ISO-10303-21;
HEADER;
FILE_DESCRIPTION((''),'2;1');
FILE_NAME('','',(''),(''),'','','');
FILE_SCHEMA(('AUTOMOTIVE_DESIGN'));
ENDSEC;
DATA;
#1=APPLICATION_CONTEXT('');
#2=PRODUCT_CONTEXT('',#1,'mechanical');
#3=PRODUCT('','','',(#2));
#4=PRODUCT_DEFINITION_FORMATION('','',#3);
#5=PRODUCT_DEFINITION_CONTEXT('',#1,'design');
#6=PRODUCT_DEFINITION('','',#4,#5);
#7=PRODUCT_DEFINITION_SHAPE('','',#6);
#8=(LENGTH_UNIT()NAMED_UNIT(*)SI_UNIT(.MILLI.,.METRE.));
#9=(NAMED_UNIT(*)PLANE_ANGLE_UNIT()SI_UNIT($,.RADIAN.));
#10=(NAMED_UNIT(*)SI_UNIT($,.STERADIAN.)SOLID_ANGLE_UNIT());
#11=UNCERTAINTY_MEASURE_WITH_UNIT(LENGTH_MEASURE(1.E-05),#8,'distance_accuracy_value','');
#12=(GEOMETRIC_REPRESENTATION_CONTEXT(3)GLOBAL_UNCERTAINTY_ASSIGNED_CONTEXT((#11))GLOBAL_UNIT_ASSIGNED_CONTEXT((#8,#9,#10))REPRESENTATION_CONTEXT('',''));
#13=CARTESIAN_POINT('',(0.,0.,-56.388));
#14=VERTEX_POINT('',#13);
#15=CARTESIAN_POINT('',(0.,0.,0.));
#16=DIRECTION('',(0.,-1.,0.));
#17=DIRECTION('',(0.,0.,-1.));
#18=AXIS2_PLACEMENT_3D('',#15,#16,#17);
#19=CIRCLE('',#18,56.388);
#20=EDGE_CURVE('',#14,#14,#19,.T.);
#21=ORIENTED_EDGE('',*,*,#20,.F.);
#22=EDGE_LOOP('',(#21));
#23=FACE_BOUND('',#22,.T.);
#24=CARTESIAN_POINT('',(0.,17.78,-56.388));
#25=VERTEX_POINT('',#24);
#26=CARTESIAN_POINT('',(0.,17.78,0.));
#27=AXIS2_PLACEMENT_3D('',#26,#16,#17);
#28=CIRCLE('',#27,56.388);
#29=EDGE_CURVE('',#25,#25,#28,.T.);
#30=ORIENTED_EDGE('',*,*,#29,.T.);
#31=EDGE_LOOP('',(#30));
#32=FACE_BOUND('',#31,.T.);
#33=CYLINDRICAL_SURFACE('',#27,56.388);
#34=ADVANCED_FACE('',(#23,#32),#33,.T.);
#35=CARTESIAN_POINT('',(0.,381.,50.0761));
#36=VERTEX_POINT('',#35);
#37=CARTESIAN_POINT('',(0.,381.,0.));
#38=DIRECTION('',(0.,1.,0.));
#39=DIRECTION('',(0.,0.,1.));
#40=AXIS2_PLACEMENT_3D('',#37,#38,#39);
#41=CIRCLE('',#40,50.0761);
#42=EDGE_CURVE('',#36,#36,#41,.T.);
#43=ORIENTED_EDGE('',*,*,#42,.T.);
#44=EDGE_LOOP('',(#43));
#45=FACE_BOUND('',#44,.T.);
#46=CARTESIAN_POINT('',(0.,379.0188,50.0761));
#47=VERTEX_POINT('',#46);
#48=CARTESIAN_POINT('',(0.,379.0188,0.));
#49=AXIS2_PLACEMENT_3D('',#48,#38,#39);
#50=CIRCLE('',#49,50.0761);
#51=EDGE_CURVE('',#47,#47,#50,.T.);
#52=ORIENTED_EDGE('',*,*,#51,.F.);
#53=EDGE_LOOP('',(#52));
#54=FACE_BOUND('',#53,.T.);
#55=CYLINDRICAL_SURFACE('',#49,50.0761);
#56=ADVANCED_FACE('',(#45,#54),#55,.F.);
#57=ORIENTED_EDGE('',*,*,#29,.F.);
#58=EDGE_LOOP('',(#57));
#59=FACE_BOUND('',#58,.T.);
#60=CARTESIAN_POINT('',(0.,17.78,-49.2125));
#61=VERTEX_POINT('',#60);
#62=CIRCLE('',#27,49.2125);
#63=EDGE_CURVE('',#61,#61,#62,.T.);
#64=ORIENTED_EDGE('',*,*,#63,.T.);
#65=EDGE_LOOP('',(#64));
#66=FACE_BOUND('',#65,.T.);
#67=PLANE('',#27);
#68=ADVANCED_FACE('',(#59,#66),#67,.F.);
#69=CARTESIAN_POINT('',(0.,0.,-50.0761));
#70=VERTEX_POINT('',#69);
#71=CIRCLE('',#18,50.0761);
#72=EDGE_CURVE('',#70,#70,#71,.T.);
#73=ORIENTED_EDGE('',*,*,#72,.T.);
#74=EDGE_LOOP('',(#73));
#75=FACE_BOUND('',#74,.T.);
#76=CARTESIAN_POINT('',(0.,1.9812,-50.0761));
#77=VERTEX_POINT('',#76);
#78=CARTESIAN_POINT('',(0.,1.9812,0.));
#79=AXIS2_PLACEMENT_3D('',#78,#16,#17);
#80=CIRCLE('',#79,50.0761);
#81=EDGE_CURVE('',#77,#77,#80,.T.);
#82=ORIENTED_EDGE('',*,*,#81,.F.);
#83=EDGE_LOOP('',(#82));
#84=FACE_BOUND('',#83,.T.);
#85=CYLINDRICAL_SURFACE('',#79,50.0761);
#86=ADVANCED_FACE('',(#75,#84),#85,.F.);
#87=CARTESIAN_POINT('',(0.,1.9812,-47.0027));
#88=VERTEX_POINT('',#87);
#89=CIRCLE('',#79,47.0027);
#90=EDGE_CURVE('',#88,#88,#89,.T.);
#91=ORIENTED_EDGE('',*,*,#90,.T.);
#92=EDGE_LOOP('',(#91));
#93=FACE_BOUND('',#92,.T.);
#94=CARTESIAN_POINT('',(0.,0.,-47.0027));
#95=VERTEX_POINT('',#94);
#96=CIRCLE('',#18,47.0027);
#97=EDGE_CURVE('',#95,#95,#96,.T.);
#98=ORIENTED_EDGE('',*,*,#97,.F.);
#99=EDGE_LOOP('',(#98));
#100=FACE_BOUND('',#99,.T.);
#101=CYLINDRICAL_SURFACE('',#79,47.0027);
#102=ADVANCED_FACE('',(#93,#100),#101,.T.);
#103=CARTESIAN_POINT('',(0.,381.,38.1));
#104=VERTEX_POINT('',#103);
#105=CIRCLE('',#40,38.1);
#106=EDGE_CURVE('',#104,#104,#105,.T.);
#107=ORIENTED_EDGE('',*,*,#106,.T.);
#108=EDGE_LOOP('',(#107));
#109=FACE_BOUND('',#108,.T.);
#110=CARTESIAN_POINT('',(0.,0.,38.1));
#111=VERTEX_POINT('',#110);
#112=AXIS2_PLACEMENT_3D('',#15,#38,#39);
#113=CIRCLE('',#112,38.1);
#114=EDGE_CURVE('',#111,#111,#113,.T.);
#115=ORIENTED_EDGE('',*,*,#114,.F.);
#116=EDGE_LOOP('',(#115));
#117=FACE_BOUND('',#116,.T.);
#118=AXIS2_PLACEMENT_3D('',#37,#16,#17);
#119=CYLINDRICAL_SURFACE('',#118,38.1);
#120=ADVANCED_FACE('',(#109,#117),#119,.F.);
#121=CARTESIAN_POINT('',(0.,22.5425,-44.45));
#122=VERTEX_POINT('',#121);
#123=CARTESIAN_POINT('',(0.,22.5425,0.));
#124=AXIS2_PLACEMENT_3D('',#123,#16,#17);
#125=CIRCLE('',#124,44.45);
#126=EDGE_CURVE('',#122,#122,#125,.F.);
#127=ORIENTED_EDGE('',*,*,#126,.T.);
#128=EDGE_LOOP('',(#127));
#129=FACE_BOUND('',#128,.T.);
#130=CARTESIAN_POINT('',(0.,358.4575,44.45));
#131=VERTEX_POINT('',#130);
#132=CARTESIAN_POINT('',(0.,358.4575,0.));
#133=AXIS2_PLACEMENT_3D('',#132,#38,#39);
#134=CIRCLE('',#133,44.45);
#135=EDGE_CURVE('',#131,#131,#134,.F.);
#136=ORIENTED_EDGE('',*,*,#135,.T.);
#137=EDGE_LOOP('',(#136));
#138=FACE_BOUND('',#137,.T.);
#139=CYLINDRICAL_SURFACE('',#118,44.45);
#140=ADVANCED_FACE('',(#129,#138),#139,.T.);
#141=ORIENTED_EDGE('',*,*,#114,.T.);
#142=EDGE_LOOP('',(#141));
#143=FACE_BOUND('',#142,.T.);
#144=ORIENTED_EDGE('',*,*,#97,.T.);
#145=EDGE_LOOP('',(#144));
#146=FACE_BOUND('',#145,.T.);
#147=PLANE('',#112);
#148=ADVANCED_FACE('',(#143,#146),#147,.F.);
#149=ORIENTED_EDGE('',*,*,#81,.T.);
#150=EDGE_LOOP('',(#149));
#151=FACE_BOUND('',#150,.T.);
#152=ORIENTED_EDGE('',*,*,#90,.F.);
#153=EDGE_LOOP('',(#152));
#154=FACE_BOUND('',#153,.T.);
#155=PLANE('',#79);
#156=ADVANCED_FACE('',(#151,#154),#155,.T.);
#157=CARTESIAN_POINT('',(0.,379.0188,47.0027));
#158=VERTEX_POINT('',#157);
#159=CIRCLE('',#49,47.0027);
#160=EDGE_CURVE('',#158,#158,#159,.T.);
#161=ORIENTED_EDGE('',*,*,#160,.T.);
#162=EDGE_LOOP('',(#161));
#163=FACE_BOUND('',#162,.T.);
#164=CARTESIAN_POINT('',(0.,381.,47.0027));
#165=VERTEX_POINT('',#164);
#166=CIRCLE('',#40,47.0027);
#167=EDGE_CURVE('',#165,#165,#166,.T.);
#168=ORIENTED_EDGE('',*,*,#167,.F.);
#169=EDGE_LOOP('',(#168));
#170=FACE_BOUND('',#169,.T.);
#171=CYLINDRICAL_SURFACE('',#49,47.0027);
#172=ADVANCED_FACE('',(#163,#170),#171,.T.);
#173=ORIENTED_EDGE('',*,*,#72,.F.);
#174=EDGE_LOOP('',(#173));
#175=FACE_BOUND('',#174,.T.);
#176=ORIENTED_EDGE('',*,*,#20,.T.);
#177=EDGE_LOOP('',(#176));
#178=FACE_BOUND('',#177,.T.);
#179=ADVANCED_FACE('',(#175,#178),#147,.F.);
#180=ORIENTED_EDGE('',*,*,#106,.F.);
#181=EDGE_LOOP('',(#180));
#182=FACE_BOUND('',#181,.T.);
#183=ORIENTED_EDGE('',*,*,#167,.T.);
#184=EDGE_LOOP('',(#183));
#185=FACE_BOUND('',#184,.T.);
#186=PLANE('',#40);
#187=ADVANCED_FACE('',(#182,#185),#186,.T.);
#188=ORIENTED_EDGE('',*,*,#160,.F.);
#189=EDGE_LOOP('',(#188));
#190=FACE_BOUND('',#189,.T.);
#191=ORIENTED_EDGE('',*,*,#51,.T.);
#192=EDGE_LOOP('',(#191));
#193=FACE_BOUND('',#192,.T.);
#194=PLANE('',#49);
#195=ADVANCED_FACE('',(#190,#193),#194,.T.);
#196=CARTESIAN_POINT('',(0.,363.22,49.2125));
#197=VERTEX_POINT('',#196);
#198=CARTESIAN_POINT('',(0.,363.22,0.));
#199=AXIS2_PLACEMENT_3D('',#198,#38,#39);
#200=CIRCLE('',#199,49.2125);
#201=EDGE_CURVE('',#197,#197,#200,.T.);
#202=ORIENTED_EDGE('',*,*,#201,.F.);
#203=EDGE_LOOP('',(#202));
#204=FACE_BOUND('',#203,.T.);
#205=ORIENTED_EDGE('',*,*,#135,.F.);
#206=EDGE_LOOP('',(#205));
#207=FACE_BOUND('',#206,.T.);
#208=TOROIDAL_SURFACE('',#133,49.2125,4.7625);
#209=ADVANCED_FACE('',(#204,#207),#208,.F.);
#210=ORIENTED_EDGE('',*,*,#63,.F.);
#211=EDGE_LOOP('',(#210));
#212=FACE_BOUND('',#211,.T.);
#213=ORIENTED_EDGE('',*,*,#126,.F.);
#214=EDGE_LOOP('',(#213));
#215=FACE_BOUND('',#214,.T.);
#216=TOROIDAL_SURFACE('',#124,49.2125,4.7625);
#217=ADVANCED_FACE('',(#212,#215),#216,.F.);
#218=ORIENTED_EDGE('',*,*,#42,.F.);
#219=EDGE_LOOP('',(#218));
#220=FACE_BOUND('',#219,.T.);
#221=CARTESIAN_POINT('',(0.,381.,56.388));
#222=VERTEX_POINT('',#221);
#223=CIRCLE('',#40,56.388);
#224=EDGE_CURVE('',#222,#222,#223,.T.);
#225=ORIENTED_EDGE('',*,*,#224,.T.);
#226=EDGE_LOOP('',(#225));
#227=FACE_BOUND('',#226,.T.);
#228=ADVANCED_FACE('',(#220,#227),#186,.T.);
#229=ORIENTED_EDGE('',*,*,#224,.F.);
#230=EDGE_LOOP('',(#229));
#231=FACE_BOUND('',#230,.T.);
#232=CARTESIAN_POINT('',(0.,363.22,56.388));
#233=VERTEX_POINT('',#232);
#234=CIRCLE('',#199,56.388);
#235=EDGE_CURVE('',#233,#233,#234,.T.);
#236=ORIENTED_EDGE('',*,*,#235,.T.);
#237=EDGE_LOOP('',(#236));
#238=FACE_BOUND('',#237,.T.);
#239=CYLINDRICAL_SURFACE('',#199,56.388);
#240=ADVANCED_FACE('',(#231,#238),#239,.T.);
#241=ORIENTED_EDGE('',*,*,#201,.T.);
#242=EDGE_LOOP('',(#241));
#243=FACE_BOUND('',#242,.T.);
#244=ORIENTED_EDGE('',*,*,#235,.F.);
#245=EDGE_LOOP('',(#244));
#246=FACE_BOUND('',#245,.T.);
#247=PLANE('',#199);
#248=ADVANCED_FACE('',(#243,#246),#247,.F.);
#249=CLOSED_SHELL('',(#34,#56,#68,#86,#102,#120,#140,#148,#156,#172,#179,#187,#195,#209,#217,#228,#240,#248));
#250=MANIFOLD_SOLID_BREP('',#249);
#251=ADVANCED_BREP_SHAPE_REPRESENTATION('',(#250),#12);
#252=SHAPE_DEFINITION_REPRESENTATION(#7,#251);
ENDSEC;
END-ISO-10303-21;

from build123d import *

# Parameters (mm, degrees)
SKETCH2_R            = 44.45
SKETCH2_R_2          = 38.1
BASE_CYLINDER_DEPTH  = 381
SKETCH3_R            = 56.388
SKETCH3_R_2          = 41.275
AFT_FLANGE_DEPTH     = 17.78
FORWARD_START        = -17.78
SKETCH4_R            = 56.388
SKETCH4_R_2          = 41.275
FORWARD_FLANGE_DEPTH = 17.78
SKETCH6_R            = 50.0761
SKETCH6_R_2          = 47.0027
O_RING_SLOT_1_DEPTH  = 1.9812
O_RING_START         = -1.9812
SKETCH7_R            = 50.0761
SKETCH7_R_2          = 47.0027
O_RING_SLOT_2_DEPTH  = 1.9812
FILLET1_R            = 4.7625


with BuildPart() as part:
    # Sketch2 → Base Cylinder (new body)
    with BuildSketch(Plane(origin=(0, 0, 0), x_dir=(1, 0, 0), z_dir=(0, 1, 0))):
        Circle(SKETCH2_R)
        Circle(SKETCH2_R_2, mode=Mode.SUBTRACT)
    extrude(amount=BASE_CYLINDER_DEPTH)

    # Sketch3 → Aft Flange (add)
    with BuildSketch(Plane.XZ):
        Circle(SKETCH3_R)
        Circle(SKETCH3_R_2, mode=Mode.SUBTRACT)
    extrude(amount=-AFT_FLANGE_DEPTH)

    # Sketch4 → Forward Flange (add)
    with BuildSketch(Plane(origin=(0, 381, 0), x_dir=(1, 0, 0), z_dir=(0, 1, 0)).offset(FORWARD_START)):
        Circle(SKETCH4_R)
        Circle(SKETCH4_R_2, mode=Mode.SUBTRACT)
    extrude(amount=FORWARD_FLANGE_DEPTH)

    # Sketch6 → O-Ring Slot 1 (cut)
    with BuildSketch(Plane.XZ):
        Circle(SKETCH6_R)
        Circle(SKETCH6_R_2, mode=Mode.SUBTRACT)
    extrude(amount=-O_RING_SLOT_1_DEPTH, mode=Mode.SUBTRACT)

    # Sketch7 → O-Ring Slot 2 (cut)
    with BuildSketch(Plane(origin=(0, 381, 0), x_dir=(1, 0, 0), z_dir=(0, 1, 0)).offset(O_RING_START)):
        Circle(SKETCH7_R)
        Circle(SKETCH7_R_2, mode=Mode.SUBTRACT)
    extrude(amount=O_RING_SLOT_2_DEPTH, mode=Mode.SUBTRACT)

    # Fillet1
    fillet1_edges = [part.edges().sort_by_distance(p)[0] for p in [
        (-44.45, 17.78, 0),
        (-44.45, 363.22, 0),
    ]]
    fillet(fillet1_edges, radius=FILLET1_R)


solid = part.part
